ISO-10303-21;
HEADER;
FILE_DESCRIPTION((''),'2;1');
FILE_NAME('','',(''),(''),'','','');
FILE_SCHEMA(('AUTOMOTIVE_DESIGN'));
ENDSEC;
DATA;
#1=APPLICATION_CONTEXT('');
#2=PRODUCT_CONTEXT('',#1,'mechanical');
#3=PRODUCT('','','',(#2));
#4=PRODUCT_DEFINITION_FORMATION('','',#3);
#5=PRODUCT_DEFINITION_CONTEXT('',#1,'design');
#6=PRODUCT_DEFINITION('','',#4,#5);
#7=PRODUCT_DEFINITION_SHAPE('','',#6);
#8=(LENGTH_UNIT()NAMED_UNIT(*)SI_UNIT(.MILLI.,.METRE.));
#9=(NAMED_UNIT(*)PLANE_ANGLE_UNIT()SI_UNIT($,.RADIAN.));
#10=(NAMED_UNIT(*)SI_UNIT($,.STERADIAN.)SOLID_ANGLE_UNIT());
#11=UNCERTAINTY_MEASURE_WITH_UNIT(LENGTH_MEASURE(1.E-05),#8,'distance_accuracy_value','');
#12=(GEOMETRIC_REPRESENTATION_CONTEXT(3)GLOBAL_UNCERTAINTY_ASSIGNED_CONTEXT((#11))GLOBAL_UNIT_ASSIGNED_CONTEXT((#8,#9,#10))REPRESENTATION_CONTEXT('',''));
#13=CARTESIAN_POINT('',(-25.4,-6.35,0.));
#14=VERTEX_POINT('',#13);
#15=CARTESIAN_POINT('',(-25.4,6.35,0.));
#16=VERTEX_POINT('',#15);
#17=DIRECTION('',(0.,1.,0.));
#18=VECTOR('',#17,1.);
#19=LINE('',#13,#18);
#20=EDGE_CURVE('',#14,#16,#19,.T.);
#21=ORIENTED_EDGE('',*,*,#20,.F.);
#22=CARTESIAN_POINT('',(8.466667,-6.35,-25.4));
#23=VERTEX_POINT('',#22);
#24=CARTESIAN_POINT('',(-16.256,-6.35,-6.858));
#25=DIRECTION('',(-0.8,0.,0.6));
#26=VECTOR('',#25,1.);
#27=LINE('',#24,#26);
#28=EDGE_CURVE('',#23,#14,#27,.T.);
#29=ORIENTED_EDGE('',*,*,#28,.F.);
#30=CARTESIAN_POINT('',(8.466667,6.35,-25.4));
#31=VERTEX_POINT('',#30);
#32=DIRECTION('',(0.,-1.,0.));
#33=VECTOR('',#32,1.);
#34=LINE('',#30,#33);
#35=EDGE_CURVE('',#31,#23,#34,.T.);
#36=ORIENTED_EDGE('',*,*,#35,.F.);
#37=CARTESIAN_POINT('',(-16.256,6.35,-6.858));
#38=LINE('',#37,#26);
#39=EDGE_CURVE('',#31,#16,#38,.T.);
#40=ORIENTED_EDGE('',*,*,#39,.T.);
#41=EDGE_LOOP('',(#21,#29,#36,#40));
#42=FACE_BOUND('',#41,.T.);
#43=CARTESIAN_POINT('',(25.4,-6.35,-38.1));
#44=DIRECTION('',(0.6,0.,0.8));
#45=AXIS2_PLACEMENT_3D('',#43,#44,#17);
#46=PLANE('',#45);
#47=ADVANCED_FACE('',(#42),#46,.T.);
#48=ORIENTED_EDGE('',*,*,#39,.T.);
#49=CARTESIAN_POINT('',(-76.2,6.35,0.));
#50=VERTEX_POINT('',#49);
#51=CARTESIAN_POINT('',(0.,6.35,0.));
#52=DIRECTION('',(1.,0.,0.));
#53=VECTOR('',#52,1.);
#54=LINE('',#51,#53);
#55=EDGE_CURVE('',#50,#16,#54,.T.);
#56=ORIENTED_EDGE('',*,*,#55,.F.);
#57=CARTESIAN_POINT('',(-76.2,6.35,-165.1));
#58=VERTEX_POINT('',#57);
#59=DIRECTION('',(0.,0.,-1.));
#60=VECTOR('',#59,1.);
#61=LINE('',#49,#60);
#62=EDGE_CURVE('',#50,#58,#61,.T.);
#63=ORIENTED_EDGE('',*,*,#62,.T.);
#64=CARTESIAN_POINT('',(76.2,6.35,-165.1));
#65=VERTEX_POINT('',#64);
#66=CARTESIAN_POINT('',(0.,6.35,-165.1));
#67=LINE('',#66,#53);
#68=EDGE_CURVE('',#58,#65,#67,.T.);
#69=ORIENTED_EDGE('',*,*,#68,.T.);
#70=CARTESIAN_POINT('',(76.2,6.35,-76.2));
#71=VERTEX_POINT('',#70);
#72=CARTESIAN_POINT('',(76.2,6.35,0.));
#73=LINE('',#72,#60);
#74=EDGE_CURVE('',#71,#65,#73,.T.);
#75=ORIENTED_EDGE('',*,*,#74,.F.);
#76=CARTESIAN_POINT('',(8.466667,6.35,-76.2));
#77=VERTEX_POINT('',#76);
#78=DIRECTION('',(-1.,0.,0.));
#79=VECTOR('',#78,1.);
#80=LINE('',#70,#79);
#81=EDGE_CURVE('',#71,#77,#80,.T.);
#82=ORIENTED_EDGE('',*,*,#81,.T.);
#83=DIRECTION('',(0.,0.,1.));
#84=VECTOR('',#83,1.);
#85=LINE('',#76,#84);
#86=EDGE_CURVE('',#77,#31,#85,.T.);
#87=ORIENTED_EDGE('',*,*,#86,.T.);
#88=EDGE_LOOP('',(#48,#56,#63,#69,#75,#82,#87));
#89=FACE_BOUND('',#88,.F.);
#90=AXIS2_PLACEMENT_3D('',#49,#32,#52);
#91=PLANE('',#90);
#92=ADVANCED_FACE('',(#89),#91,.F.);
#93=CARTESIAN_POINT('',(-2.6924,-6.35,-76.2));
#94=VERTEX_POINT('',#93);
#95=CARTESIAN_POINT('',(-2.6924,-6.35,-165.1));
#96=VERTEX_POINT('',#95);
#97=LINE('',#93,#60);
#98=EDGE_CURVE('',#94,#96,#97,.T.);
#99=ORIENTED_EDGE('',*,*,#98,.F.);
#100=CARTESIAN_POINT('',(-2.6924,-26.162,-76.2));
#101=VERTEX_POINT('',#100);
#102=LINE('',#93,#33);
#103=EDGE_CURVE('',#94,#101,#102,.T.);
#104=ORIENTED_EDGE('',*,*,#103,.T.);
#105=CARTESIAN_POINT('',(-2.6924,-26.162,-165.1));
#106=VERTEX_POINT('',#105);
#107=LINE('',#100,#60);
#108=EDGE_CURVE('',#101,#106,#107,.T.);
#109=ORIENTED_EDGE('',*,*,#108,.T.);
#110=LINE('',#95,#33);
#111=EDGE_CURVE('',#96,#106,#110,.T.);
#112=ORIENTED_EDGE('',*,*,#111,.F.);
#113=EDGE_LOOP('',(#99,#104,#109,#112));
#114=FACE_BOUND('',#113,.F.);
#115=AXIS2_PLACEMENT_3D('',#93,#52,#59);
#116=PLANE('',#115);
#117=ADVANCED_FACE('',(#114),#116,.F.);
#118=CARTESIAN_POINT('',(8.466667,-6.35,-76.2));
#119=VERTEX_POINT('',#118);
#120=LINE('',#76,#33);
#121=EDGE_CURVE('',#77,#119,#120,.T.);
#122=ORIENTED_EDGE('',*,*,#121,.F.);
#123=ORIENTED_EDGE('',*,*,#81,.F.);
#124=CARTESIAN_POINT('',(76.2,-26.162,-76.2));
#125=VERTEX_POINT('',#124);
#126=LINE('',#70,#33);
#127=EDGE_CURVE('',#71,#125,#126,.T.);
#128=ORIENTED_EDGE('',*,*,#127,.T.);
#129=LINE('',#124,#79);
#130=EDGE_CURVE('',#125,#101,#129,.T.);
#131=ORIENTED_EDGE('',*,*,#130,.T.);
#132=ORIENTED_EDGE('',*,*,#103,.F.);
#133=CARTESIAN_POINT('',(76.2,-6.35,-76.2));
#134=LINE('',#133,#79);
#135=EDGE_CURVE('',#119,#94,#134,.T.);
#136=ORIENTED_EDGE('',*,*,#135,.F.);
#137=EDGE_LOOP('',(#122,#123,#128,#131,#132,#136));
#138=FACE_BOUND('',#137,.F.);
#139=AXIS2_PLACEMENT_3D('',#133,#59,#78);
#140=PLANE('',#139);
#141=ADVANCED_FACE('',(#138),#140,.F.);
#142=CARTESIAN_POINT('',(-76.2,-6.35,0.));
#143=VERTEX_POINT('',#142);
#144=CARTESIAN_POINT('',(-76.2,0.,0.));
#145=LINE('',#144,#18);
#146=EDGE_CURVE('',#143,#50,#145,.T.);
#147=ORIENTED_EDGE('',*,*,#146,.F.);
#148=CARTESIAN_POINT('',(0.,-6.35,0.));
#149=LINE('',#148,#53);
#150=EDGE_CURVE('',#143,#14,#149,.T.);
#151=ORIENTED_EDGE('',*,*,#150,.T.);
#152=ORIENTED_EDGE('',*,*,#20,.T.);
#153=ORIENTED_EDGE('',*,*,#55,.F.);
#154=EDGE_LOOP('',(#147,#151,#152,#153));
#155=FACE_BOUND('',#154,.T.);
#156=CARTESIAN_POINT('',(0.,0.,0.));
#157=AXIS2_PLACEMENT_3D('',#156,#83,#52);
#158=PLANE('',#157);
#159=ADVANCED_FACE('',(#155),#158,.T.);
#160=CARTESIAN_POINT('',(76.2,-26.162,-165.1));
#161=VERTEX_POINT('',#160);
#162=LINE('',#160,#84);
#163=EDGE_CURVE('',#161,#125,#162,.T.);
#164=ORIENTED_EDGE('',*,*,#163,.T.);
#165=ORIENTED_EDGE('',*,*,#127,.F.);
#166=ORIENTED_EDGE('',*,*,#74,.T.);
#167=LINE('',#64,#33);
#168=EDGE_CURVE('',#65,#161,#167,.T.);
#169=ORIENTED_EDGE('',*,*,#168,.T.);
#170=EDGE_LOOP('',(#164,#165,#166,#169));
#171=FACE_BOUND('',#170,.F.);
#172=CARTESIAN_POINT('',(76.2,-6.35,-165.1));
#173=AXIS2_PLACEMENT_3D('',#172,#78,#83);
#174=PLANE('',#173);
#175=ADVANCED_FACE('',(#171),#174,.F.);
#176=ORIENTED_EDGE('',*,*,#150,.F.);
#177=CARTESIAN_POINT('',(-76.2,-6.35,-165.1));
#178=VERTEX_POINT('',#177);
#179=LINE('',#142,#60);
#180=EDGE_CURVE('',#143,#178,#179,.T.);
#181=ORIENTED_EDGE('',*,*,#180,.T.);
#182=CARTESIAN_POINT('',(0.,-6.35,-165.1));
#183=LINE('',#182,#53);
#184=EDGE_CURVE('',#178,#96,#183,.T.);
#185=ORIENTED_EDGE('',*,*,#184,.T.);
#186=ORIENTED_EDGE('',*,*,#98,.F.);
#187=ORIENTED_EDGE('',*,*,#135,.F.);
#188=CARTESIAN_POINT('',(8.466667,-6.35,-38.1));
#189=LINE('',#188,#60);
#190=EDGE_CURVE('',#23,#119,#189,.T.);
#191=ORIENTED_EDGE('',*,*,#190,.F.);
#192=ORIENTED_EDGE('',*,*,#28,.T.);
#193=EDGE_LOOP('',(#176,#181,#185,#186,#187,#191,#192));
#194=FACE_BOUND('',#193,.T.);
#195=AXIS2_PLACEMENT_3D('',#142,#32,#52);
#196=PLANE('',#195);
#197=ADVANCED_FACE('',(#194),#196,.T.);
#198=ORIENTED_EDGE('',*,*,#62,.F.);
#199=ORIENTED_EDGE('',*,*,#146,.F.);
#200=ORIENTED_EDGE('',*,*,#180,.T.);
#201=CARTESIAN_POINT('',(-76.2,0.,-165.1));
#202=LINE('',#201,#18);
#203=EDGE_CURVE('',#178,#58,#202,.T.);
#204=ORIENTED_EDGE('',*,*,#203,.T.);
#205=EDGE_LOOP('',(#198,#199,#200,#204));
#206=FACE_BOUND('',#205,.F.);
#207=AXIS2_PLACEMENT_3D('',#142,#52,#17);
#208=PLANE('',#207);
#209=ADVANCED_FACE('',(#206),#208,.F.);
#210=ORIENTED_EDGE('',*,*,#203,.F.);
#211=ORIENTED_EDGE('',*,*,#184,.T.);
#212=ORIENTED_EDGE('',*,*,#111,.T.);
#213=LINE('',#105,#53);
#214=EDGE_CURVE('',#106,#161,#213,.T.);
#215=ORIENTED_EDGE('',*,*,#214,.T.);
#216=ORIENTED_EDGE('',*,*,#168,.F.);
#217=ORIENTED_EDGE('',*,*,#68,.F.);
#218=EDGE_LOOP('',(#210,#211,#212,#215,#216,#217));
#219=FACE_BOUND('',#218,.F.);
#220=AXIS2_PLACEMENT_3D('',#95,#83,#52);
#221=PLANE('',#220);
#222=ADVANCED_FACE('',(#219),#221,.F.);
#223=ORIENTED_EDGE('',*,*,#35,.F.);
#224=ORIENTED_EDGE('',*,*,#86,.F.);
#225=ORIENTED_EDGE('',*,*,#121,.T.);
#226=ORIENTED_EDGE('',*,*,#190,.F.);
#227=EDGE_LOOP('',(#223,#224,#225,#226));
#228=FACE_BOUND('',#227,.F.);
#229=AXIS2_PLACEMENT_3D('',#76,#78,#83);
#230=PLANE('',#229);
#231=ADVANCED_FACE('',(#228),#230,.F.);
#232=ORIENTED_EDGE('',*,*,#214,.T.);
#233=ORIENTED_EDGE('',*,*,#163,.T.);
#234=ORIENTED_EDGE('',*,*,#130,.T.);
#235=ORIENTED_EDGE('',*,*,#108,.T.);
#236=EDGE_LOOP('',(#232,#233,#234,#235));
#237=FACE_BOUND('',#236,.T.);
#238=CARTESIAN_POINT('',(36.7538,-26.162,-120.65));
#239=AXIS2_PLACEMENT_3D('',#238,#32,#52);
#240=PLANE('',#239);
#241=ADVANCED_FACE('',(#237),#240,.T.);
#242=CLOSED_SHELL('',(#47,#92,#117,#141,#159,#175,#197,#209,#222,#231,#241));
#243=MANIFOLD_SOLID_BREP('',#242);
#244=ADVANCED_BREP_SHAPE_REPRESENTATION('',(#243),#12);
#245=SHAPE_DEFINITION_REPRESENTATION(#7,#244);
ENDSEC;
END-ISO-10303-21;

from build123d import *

# Parameters (mm, degrees)
F0_W     = 152.4
F0_H     = 12.7
F1_DEPTH = 165.1
F2_SIZE2 = 101.6
F2_SIZE  = 76.2
F4_DEPTH = 19.812
F6_DEPTH = 25.4


with BuildPart() as f1:
    # F0 (on Top) → F1 (new body)
    with BuildSketch(Plane.XY):
        Rectangle(F0_W, F0_H)
    extrude(amount=-F1_DEPTH)

    # F2
    f2_edges = [f1.edges().sort_by_distance(p)[0] for p in [
        (76.2, 0, 0),
    ]]
    chamfer(f2_edges, length=F2_SIZE, length2=F2_SIZE2)

    # F3 (on face) → F4 (join)
    with BuildSketch(Plane.XZ.offset(6.35)):
        Polygon((-2.6924, -165.1), (76.2, -165.1), (76.2, -120.65), (76.2, -76.2), (-2.6924, -76.2), align=None)
    extrude(amount=F4_DEPTH)

    # F5 (on face) → F6 (cut)
    with BuildSketch(Plane(origin=(0, 6.35, 0), x_dir=(-1, 0, 0), z_dir=(0, 1, 0))):
        Polygon((-8.466667, -25.4), (-76.2, -76.2), (-8.466667, -76.2), align=None)
    extrude(amount=-F6_DEPTH, mode=Mode.SUBTRACT)


solid = f1.part
